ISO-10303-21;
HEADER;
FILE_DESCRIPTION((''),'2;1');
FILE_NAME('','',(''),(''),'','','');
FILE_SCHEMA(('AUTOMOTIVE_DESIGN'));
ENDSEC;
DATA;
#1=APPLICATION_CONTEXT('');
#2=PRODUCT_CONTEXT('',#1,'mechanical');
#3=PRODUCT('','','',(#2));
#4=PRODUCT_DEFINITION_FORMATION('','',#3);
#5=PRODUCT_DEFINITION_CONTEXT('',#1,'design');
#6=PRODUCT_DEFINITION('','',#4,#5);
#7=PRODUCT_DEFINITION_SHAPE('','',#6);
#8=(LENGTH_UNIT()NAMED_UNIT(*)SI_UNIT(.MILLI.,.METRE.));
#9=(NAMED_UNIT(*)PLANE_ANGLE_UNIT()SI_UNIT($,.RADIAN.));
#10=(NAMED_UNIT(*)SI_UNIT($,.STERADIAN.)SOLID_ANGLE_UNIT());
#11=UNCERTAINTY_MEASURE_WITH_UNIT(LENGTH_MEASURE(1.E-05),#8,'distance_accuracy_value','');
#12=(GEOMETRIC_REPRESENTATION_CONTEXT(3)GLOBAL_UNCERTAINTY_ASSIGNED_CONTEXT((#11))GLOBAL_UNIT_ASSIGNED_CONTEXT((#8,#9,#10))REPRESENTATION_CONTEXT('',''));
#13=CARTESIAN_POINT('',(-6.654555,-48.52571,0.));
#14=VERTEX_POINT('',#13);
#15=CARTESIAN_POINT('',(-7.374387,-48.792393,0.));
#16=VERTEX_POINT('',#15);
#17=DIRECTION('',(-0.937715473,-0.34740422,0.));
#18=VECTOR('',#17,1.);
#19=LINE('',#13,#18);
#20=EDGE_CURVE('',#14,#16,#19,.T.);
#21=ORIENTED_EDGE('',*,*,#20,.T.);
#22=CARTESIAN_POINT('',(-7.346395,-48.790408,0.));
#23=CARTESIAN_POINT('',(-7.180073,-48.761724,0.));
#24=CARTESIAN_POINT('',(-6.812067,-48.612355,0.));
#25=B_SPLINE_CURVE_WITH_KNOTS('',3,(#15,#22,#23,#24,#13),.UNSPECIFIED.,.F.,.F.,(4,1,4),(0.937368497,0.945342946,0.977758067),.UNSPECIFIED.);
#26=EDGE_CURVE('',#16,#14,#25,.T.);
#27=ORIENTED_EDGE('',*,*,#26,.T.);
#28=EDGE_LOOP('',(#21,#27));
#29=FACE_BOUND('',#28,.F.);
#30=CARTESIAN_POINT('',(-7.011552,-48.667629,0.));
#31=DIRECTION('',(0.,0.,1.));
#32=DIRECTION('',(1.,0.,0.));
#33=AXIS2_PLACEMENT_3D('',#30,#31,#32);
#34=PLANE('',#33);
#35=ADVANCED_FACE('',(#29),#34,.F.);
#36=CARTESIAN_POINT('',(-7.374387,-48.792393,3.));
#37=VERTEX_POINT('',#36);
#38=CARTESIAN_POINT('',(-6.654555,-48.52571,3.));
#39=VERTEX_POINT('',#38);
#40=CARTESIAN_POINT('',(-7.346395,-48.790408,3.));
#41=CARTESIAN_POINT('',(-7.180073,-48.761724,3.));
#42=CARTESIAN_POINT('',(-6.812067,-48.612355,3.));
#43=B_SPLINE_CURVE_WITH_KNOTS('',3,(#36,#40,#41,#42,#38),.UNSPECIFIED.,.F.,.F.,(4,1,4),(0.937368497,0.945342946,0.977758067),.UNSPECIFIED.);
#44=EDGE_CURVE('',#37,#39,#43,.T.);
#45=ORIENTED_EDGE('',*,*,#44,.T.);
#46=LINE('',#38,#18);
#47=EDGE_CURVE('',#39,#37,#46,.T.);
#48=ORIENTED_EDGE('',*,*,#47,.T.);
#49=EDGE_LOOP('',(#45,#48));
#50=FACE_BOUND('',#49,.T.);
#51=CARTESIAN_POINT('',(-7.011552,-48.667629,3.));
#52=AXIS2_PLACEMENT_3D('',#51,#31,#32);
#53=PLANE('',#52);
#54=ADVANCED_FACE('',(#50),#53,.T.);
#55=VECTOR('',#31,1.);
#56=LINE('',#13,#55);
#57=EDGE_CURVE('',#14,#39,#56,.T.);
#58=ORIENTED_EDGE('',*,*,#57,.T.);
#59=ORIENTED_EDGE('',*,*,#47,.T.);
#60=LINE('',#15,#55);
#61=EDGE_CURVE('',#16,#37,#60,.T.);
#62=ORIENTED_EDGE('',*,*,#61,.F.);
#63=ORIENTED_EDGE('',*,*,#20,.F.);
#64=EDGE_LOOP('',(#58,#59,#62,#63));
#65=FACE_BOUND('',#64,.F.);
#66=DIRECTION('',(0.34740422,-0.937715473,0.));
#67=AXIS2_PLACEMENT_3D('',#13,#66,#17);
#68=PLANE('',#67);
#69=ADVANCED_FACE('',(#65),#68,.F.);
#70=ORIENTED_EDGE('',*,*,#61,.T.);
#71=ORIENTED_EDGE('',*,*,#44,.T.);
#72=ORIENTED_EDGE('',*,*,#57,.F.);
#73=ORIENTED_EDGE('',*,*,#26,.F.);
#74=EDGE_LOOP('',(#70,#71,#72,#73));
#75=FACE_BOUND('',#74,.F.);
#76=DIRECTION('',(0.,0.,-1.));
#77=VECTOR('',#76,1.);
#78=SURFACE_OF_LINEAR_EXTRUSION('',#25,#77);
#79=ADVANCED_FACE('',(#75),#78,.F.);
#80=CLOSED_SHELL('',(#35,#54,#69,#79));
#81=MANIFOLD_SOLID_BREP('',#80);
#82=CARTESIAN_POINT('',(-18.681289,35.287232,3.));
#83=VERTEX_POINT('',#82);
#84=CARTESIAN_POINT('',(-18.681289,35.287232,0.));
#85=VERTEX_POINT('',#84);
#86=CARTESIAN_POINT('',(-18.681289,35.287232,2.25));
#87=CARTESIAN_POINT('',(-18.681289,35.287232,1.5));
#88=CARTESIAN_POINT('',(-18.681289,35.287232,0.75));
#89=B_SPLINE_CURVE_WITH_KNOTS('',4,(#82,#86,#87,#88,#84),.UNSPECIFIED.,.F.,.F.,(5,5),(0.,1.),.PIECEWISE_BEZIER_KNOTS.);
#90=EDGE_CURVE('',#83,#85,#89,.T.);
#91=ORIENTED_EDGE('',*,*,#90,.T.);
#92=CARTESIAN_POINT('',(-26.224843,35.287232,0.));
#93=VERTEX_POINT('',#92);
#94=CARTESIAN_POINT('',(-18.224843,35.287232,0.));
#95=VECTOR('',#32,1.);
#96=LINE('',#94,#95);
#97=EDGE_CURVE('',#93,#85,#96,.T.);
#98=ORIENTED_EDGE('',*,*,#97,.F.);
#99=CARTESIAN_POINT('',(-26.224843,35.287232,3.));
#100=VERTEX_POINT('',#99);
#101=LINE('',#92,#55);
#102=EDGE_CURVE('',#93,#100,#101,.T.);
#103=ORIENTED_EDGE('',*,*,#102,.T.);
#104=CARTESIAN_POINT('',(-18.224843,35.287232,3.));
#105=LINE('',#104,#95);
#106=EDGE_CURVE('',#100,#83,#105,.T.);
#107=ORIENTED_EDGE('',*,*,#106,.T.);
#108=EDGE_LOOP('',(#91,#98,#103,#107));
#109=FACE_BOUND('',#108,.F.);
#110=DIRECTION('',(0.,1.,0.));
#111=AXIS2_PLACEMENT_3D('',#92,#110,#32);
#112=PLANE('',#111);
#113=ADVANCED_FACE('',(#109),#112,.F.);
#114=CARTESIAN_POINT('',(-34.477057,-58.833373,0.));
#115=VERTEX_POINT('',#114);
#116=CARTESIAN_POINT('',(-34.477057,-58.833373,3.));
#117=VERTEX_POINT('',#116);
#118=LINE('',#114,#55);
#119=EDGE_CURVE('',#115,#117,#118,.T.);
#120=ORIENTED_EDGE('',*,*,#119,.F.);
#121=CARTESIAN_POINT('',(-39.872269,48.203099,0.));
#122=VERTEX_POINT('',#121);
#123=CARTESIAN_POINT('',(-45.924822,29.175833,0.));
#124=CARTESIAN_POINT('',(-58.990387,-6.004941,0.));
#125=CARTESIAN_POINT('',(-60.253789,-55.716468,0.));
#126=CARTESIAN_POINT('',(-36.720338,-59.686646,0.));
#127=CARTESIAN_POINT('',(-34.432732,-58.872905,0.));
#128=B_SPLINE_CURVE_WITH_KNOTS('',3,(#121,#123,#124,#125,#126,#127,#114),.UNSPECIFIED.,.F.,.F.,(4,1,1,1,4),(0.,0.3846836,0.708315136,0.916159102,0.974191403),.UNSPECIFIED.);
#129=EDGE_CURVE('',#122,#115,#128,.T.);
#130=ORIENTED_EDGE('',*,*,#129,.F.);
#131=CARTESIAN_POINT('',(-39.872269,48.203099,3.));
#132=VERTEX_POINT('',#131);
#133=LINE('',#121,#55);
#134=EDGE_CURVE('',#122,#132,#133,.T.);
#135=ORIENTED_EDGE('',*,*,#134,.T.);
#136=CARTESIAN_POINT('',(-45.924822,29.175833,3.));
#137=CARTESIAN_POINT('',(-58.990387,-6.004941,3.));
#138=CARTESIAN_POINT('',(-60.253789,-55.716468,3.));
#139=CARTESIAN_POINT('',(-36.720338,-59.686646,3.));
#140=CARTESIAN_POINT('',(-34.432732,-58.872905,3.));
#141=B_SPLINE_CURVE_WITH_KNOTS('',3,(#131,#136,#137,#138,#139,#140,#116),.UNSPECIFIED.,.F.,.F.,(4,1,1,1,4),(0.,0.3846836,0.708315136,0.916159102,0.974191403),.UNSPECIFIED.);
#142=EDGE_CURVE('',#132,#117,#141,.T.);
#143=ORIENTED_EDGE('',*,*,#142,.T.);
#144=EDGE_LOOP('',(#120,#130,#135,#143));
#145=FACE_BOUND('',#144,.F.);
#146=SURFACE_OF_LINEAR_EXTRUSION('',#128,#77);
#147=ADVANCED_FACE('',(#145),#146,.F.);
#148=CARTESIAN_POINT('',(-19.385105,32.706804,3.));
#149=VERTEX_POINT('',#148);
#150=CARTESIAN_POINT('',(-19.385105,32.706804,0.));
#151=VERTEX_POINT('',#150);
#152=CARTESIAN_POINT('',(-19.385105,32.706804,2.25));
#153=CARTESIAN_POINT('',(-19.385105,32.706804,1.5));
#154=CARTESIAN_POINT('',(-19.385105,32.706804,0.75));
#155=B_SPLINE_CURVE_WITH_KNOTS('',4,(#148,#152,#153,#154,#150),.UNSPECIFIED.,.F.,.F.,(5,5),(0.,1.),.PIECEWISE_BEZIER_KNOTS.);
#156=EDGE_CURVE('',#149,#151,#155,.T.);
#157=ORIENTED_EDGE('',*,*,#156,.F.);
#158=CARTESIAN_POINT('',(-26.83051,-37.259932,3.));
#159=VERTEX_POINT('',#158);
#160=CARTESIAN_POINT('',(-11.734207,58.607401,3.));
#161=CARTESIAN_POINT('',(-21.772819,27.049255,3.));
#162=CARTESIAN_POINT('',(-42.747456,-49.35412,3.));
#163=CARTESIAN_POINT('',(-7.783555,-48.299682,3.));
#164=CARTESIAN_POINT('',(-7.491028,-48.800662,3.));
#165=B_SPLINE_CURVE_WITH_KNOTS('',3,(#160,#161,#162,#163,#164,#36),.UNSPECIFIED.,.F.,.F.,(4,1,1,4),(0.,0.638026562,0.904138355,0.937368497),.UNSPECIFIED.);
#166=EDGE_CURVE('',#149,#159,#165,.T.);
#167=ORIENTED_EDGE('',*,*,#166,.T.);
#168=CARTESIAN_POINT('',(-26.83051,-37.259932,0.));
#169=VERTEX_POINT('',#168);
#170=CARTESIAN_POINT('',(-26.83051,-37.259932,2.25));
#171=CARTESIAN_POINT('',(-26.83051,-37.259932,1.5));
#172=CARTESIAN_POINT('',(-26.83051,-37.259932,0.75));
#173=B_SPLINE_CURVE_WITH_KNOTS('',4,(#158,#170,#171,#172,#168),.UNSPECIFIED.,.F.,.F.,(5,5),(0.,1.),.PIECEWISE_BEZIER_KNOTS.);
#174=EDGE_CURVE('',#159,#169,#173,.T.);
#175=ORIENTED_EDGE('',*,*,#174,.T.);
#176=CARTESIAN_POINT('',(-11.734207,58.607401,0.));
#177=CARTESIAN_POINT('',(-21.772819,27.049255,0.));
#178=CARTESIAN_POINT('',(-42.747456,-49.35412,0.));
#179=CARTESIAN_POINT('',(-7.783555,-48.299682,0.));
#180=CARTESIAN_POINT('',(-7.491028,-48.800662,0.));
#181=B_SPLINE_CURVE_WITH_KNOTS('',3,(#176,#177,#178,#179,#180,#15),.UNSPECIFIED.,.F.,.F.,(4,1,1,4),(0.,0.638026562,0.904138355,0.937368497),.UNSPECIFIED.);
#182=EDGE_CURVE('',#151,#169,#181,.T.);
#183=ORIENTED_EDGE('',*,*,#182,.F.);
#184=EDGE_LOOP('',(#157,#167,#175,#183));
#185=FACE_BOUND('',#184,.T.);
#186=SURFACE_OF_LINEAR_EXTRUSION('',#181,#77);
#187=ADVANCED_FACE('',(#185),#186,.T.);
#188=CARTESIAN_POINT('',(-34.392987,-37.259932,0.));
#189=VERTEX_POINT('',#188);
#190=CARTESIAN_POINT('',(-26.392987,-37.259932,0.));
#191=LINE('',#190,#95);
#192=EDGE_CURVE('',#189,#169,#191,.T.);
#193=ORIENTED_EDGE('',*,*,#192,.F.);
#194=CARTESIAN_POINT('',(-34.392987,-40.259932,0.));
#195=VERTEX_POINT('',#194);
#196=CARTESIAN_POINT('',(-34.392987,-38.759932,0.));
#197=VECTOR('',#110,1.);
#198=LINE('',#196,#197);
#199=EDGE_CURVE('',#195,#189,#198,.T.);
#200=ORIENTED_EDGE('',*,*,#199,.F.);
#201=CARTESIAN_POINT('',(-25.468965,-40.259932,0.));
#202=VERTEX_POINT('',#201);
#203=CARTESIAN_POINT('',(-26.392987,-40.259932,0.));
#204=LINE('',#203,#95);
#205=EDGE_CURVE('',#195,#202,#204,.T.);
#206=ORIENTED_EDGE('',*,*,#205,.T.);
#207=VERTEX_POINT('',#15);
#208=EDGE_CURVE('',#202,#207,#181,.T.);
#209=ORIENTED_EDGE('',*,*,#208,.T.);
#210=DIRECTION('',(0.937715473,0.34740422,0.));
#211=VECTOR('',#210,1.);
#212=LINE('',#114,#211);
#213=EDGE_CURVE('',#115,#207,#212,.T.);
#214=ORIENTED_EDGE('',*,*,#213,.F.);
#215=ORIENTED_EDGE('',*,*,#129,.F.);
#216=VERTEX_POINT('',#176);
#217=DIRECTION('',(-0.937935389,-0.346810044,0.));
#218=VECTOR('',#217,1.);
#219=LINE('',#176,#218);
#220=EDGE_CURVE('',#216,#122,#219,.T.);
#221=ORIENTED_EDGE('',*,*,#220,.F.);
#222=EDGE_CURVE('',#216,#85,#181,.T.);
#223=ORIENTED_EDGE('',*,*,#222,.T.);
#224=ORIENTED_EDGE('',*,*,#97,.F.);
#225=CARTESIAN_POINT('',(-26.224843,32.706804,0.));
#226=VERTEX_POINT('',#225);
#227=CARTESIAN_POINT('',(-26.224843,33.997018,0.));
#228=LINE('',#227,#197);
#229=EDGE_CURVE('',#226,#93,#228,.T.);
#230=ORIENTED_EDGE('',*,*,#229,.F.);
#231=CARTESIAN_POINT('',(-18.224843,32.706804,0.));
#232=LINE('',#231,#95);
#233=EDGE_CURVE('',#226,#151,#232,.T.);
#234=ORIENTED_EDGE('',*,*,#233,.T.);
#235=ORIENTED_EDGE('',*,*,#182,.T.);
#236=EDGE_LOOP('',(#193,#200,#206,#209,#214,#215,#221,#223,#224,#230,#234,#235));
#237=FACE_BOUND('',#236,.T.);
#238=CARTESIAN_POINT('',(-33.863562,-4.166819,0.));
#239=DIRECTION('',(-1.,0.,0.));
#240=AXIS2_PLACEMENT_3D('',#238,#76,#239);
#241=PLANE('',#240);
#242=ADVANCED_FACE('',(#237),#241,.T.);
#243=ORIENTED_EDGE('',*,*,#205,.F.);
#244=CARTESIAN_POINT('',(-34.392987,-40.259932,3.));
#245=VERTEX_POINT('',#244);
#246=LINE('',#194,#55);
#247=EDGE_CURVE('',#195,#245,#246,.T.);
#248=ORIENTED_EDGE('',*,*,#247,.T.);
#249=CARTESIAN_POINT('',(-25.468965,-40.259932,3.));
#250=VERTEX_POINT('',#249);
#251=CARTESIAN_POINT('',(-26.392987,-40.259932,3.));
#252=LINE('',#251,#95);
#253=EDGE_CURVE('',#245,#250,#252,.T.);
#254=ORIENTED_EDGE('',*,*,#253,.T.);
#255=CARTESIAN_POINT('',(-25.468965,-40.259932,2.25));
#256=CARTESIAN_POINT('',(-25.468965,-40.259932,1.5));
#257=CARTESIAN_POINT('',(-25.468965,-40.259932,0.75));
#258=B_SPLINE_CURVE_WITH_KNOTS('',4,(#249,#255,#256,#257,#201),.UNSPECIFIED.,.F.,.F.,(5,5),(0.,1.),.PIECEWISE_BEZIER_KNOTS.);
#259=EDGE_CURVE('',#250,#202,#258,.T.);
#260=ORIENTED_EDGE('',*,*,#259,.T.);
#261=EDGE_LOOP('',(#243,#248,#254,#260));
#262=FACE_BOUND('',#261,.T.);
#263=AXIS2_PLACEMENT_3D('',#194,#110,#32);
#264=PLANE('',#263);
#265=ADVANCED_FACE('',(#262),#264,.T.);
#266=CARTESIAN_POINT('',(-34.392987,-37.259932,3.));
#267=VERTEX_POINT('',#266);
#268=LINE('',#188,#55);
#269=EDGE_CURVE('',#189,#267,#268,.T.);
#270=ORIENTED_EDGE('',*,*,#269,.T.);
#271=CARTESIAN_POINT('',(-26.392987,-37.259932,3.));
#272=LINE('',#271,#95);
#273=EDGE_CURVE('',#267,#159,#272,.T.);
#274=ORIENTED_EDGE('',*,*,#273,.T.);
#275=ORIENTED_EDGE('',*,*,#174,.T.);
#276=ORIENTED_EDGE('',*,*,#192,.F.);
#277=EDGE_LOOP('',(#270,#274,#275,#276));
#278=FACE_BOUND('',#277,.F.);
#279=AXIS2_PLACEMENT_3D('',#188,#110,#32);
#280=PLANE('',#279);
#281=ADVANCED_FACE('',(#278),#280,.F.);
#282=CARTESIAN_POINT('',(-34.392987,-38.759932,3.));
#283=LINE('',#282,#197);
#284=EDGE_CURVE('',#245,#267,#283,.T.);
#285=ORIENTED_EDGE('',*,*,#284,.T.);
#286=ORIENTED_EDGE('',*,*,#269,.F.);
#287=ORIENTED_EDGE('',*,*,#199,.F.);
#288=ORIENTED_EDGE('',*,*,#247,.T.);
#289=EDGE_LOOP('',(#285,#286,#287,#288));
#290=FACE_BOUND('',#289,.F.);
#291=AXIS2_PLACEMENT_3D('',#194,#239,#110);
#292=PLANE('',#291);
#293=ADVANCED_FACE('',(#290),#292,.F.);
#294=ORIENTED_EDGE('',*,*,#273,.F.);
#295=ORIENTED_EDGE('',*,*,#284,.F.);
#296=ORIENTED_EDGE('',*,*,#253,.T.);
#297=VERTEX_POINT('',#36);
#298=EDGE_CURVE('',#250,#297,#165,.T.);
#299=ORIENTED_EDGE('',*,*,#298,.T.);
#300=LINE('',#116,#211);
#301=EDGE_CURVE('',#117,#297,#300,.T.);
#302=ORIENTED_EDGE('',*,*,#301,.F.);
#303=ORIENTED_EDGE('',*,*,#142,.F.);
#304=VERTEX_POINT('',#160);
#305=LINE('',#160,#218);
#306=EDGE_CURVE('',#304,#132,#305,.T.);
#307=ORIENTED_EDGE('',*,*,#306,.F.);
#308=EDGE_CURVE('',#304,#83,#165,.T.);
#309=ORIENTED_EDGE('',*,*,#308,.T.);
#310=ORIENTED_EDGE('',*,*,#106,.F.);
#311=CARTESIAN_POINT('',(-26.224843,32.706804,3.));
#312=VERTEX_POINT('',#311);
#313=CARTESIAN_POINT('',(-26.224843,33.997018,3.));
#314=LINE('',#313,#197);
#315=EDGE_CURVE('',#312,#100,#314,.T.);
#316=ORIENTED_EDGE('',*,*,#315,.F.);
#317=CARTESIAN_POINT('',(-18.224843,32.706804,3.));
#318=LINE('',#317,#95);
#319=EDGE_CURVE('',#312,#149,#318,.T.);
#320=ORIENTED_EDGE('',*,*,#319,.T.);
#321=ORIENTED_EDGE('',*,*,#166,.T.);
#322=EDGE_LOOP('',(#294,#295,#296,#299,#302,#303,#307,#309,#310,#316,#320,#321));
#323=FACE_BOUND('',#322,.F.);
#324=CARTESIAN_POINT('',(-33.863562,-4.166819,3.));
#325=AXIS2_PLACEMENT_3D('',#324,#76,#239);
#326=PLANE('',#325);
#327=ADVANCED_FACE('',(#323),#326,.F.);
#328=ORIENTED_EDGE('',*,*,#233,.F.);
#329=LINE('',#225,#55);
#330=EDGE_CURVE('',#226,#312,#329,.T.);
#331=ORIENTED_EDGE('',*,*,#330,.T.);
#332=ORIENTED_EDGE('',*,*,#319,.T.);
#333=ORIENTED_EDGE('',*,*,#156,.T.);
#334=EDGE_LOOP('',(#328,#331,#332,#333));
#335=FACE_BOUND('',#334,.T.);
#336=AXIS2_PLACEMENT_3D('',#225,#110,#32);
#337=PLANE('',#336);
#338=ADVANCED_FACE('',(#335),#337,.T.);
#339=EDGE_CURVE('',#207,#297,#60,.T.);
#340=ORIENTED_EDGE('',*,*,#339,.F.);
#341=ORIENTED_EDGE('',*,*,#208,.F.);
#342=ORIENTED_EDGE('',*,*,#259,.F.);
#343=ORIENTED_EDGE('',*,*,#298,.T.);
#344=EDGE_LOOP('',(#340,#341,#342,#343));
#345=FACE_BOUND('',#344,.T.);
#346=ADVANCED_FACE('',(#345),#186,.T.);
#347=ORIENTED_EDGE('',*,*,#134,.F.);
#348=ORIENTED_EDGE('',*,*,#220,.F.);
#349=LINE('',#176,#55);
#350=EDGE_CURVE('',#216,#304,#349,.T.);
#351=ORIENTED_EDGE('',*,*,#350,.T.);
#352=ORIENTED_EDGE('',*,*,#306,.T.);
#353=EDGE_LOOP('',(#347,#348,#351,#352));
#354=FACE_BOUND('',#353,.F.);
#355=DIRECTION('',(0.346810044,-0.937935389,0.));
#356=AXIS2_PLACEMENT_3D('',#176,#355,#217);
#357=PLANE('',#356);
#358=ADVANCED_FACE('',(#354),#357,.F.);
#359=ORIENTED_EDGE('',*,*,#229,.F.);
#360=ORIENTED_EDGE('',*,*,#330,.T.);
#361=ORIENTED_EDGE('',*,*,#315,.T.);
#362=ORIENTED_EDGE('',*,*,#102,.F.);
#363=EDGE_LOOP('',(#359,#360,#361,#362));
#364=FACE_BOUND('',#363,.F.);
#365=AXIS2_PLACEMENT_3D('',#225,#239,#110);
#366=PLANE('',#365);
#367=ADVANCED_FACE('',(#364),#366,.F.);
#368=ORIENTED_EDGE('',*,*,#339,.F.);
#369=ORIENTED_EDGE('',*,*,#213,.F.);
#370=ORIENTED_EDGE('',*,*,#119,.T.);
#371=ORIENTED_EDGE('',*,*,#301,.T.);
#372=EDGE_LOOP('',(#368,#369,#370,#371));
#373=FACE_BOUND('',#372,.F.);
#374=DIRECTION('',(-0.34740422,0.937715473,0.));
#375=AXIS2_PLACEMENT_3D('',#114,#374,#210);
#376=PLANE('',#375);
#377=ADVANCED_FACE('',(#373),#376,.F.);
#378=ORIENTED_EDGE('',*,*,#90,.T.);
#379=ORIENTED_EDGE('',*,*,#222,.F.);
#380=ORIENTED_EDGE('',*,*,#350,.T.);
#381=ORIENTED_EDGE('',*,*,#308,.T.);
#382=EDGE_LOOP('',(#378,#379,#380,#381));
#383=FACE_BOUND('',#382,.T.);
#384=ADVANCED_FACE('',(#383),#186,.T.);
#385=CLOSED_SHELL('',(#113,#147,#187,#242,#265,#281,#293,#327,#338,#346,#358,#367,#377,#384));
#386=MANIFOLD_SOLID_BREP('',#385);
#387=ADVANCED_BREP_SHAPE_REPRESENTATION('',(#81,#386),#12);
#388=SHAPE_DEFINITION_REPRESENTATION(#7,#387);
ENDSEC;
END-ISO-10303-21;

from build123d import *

# Parameters (mm, degrees)
F1_DEPTH = 3
F2_W     = 16
F2_H     = 2.5804279571
F3_DEPTH = 3
F4_W     = 16
F4_H     = 3
F5_DEPTH = 3


with BuildPart() as f1:
    # F0 (on Top) → F1 (new body)
    with BuildSketch(Plane.XY):
        with BuildLine():
            Line((-6.6545552854, -48.5257102785), (-7.3743865095, -48.7923928835))
            add(Edge.make_bspline(
                [(-7.3743865095, -48.7923928835), (-7.3463953032, -48.7904084122), (-7.1800733819, -48.761723798), (-6.8120666556, -48.6123548112), (-6.6545552854, -48.5257102785)],
                knots=[0.9373684974, 0.9373684974, 0.9373684974, 0.9373684974, 0.945342946, 0.9777580666, 0.9777580666, 0.9777580666, 0.9777580666], degree=3))
        make_face()
    extrude(amount=F1_DEPTH)


with BuildPart() as f1b:
    # F0 (on Top) → F1, piece 2 (new body)
    with BuildSketch(Plane.XY):
        with BuildLine():
            add(Edge.make_bspline(
                [(-11.734207112, 58.6074007301), (-21.772819408, 27.0492546374), (-42.7474558666, -49.3541198531), (-7.7835553334, -48.2996819233), (-7.4910280261, -48.8006623284), (-7.3743865095, -48.7923928835)],
                knots=[0, 0, 0, 0, 0.6380265616, 0.9041383546, 0.9373684974, 0.9373684974, 0.9373684974, 0.9373684974], degree=3))
            Line((-11.734207112, 58.6074007301), (-39.8722687706, 48.2030994032))
            add(Edge.make_bspline(
                [(-39.8722687706, 48.2030994032), (-45.9248216711, 29.1758331799), (-58.9903870118, -6.0049413166), (-60.2537886956, -55.7164680185), (-36.7203376896, -59.6866463577), (-34.4327324858, -58.8729046374), (-34.4770574691, -58.8333728399)],
                knots=[0, 0, 0, 0, 0.3846835999, 0.7083151359, 0.9161591015, 0.9741914032, 0.9741914032, 0.9741914032, 0.9741914032], degree=3))
            Line((-34.4770574691, -58.8333728399), (-7.3743865095, -48.7923928835))
        make_face()
    extrude(amount=F1_DEPTH)

    # F2 (on Top) → F3 (cut)
    with BuildSketch(Plane.XY):
        with Locations((-18.2248428464, 33.9970178902)):
            Rectangle(F2_W, F2_H)
    extrude(amount=F3_DEPTH, mode=Mode.SUBTRACT)

    # F4 (on Top) → F5 (cut)
    with BuildSketch(Plane.XY):
        with Locations((-26.392986998, -38.759931922)):
            Rectangle(F4_W, F4_H)
    extrude(amount=F5_DEPTH, mode=Mode.SUBTRACT)


solid = Compound([f1.part, f1b.part])
